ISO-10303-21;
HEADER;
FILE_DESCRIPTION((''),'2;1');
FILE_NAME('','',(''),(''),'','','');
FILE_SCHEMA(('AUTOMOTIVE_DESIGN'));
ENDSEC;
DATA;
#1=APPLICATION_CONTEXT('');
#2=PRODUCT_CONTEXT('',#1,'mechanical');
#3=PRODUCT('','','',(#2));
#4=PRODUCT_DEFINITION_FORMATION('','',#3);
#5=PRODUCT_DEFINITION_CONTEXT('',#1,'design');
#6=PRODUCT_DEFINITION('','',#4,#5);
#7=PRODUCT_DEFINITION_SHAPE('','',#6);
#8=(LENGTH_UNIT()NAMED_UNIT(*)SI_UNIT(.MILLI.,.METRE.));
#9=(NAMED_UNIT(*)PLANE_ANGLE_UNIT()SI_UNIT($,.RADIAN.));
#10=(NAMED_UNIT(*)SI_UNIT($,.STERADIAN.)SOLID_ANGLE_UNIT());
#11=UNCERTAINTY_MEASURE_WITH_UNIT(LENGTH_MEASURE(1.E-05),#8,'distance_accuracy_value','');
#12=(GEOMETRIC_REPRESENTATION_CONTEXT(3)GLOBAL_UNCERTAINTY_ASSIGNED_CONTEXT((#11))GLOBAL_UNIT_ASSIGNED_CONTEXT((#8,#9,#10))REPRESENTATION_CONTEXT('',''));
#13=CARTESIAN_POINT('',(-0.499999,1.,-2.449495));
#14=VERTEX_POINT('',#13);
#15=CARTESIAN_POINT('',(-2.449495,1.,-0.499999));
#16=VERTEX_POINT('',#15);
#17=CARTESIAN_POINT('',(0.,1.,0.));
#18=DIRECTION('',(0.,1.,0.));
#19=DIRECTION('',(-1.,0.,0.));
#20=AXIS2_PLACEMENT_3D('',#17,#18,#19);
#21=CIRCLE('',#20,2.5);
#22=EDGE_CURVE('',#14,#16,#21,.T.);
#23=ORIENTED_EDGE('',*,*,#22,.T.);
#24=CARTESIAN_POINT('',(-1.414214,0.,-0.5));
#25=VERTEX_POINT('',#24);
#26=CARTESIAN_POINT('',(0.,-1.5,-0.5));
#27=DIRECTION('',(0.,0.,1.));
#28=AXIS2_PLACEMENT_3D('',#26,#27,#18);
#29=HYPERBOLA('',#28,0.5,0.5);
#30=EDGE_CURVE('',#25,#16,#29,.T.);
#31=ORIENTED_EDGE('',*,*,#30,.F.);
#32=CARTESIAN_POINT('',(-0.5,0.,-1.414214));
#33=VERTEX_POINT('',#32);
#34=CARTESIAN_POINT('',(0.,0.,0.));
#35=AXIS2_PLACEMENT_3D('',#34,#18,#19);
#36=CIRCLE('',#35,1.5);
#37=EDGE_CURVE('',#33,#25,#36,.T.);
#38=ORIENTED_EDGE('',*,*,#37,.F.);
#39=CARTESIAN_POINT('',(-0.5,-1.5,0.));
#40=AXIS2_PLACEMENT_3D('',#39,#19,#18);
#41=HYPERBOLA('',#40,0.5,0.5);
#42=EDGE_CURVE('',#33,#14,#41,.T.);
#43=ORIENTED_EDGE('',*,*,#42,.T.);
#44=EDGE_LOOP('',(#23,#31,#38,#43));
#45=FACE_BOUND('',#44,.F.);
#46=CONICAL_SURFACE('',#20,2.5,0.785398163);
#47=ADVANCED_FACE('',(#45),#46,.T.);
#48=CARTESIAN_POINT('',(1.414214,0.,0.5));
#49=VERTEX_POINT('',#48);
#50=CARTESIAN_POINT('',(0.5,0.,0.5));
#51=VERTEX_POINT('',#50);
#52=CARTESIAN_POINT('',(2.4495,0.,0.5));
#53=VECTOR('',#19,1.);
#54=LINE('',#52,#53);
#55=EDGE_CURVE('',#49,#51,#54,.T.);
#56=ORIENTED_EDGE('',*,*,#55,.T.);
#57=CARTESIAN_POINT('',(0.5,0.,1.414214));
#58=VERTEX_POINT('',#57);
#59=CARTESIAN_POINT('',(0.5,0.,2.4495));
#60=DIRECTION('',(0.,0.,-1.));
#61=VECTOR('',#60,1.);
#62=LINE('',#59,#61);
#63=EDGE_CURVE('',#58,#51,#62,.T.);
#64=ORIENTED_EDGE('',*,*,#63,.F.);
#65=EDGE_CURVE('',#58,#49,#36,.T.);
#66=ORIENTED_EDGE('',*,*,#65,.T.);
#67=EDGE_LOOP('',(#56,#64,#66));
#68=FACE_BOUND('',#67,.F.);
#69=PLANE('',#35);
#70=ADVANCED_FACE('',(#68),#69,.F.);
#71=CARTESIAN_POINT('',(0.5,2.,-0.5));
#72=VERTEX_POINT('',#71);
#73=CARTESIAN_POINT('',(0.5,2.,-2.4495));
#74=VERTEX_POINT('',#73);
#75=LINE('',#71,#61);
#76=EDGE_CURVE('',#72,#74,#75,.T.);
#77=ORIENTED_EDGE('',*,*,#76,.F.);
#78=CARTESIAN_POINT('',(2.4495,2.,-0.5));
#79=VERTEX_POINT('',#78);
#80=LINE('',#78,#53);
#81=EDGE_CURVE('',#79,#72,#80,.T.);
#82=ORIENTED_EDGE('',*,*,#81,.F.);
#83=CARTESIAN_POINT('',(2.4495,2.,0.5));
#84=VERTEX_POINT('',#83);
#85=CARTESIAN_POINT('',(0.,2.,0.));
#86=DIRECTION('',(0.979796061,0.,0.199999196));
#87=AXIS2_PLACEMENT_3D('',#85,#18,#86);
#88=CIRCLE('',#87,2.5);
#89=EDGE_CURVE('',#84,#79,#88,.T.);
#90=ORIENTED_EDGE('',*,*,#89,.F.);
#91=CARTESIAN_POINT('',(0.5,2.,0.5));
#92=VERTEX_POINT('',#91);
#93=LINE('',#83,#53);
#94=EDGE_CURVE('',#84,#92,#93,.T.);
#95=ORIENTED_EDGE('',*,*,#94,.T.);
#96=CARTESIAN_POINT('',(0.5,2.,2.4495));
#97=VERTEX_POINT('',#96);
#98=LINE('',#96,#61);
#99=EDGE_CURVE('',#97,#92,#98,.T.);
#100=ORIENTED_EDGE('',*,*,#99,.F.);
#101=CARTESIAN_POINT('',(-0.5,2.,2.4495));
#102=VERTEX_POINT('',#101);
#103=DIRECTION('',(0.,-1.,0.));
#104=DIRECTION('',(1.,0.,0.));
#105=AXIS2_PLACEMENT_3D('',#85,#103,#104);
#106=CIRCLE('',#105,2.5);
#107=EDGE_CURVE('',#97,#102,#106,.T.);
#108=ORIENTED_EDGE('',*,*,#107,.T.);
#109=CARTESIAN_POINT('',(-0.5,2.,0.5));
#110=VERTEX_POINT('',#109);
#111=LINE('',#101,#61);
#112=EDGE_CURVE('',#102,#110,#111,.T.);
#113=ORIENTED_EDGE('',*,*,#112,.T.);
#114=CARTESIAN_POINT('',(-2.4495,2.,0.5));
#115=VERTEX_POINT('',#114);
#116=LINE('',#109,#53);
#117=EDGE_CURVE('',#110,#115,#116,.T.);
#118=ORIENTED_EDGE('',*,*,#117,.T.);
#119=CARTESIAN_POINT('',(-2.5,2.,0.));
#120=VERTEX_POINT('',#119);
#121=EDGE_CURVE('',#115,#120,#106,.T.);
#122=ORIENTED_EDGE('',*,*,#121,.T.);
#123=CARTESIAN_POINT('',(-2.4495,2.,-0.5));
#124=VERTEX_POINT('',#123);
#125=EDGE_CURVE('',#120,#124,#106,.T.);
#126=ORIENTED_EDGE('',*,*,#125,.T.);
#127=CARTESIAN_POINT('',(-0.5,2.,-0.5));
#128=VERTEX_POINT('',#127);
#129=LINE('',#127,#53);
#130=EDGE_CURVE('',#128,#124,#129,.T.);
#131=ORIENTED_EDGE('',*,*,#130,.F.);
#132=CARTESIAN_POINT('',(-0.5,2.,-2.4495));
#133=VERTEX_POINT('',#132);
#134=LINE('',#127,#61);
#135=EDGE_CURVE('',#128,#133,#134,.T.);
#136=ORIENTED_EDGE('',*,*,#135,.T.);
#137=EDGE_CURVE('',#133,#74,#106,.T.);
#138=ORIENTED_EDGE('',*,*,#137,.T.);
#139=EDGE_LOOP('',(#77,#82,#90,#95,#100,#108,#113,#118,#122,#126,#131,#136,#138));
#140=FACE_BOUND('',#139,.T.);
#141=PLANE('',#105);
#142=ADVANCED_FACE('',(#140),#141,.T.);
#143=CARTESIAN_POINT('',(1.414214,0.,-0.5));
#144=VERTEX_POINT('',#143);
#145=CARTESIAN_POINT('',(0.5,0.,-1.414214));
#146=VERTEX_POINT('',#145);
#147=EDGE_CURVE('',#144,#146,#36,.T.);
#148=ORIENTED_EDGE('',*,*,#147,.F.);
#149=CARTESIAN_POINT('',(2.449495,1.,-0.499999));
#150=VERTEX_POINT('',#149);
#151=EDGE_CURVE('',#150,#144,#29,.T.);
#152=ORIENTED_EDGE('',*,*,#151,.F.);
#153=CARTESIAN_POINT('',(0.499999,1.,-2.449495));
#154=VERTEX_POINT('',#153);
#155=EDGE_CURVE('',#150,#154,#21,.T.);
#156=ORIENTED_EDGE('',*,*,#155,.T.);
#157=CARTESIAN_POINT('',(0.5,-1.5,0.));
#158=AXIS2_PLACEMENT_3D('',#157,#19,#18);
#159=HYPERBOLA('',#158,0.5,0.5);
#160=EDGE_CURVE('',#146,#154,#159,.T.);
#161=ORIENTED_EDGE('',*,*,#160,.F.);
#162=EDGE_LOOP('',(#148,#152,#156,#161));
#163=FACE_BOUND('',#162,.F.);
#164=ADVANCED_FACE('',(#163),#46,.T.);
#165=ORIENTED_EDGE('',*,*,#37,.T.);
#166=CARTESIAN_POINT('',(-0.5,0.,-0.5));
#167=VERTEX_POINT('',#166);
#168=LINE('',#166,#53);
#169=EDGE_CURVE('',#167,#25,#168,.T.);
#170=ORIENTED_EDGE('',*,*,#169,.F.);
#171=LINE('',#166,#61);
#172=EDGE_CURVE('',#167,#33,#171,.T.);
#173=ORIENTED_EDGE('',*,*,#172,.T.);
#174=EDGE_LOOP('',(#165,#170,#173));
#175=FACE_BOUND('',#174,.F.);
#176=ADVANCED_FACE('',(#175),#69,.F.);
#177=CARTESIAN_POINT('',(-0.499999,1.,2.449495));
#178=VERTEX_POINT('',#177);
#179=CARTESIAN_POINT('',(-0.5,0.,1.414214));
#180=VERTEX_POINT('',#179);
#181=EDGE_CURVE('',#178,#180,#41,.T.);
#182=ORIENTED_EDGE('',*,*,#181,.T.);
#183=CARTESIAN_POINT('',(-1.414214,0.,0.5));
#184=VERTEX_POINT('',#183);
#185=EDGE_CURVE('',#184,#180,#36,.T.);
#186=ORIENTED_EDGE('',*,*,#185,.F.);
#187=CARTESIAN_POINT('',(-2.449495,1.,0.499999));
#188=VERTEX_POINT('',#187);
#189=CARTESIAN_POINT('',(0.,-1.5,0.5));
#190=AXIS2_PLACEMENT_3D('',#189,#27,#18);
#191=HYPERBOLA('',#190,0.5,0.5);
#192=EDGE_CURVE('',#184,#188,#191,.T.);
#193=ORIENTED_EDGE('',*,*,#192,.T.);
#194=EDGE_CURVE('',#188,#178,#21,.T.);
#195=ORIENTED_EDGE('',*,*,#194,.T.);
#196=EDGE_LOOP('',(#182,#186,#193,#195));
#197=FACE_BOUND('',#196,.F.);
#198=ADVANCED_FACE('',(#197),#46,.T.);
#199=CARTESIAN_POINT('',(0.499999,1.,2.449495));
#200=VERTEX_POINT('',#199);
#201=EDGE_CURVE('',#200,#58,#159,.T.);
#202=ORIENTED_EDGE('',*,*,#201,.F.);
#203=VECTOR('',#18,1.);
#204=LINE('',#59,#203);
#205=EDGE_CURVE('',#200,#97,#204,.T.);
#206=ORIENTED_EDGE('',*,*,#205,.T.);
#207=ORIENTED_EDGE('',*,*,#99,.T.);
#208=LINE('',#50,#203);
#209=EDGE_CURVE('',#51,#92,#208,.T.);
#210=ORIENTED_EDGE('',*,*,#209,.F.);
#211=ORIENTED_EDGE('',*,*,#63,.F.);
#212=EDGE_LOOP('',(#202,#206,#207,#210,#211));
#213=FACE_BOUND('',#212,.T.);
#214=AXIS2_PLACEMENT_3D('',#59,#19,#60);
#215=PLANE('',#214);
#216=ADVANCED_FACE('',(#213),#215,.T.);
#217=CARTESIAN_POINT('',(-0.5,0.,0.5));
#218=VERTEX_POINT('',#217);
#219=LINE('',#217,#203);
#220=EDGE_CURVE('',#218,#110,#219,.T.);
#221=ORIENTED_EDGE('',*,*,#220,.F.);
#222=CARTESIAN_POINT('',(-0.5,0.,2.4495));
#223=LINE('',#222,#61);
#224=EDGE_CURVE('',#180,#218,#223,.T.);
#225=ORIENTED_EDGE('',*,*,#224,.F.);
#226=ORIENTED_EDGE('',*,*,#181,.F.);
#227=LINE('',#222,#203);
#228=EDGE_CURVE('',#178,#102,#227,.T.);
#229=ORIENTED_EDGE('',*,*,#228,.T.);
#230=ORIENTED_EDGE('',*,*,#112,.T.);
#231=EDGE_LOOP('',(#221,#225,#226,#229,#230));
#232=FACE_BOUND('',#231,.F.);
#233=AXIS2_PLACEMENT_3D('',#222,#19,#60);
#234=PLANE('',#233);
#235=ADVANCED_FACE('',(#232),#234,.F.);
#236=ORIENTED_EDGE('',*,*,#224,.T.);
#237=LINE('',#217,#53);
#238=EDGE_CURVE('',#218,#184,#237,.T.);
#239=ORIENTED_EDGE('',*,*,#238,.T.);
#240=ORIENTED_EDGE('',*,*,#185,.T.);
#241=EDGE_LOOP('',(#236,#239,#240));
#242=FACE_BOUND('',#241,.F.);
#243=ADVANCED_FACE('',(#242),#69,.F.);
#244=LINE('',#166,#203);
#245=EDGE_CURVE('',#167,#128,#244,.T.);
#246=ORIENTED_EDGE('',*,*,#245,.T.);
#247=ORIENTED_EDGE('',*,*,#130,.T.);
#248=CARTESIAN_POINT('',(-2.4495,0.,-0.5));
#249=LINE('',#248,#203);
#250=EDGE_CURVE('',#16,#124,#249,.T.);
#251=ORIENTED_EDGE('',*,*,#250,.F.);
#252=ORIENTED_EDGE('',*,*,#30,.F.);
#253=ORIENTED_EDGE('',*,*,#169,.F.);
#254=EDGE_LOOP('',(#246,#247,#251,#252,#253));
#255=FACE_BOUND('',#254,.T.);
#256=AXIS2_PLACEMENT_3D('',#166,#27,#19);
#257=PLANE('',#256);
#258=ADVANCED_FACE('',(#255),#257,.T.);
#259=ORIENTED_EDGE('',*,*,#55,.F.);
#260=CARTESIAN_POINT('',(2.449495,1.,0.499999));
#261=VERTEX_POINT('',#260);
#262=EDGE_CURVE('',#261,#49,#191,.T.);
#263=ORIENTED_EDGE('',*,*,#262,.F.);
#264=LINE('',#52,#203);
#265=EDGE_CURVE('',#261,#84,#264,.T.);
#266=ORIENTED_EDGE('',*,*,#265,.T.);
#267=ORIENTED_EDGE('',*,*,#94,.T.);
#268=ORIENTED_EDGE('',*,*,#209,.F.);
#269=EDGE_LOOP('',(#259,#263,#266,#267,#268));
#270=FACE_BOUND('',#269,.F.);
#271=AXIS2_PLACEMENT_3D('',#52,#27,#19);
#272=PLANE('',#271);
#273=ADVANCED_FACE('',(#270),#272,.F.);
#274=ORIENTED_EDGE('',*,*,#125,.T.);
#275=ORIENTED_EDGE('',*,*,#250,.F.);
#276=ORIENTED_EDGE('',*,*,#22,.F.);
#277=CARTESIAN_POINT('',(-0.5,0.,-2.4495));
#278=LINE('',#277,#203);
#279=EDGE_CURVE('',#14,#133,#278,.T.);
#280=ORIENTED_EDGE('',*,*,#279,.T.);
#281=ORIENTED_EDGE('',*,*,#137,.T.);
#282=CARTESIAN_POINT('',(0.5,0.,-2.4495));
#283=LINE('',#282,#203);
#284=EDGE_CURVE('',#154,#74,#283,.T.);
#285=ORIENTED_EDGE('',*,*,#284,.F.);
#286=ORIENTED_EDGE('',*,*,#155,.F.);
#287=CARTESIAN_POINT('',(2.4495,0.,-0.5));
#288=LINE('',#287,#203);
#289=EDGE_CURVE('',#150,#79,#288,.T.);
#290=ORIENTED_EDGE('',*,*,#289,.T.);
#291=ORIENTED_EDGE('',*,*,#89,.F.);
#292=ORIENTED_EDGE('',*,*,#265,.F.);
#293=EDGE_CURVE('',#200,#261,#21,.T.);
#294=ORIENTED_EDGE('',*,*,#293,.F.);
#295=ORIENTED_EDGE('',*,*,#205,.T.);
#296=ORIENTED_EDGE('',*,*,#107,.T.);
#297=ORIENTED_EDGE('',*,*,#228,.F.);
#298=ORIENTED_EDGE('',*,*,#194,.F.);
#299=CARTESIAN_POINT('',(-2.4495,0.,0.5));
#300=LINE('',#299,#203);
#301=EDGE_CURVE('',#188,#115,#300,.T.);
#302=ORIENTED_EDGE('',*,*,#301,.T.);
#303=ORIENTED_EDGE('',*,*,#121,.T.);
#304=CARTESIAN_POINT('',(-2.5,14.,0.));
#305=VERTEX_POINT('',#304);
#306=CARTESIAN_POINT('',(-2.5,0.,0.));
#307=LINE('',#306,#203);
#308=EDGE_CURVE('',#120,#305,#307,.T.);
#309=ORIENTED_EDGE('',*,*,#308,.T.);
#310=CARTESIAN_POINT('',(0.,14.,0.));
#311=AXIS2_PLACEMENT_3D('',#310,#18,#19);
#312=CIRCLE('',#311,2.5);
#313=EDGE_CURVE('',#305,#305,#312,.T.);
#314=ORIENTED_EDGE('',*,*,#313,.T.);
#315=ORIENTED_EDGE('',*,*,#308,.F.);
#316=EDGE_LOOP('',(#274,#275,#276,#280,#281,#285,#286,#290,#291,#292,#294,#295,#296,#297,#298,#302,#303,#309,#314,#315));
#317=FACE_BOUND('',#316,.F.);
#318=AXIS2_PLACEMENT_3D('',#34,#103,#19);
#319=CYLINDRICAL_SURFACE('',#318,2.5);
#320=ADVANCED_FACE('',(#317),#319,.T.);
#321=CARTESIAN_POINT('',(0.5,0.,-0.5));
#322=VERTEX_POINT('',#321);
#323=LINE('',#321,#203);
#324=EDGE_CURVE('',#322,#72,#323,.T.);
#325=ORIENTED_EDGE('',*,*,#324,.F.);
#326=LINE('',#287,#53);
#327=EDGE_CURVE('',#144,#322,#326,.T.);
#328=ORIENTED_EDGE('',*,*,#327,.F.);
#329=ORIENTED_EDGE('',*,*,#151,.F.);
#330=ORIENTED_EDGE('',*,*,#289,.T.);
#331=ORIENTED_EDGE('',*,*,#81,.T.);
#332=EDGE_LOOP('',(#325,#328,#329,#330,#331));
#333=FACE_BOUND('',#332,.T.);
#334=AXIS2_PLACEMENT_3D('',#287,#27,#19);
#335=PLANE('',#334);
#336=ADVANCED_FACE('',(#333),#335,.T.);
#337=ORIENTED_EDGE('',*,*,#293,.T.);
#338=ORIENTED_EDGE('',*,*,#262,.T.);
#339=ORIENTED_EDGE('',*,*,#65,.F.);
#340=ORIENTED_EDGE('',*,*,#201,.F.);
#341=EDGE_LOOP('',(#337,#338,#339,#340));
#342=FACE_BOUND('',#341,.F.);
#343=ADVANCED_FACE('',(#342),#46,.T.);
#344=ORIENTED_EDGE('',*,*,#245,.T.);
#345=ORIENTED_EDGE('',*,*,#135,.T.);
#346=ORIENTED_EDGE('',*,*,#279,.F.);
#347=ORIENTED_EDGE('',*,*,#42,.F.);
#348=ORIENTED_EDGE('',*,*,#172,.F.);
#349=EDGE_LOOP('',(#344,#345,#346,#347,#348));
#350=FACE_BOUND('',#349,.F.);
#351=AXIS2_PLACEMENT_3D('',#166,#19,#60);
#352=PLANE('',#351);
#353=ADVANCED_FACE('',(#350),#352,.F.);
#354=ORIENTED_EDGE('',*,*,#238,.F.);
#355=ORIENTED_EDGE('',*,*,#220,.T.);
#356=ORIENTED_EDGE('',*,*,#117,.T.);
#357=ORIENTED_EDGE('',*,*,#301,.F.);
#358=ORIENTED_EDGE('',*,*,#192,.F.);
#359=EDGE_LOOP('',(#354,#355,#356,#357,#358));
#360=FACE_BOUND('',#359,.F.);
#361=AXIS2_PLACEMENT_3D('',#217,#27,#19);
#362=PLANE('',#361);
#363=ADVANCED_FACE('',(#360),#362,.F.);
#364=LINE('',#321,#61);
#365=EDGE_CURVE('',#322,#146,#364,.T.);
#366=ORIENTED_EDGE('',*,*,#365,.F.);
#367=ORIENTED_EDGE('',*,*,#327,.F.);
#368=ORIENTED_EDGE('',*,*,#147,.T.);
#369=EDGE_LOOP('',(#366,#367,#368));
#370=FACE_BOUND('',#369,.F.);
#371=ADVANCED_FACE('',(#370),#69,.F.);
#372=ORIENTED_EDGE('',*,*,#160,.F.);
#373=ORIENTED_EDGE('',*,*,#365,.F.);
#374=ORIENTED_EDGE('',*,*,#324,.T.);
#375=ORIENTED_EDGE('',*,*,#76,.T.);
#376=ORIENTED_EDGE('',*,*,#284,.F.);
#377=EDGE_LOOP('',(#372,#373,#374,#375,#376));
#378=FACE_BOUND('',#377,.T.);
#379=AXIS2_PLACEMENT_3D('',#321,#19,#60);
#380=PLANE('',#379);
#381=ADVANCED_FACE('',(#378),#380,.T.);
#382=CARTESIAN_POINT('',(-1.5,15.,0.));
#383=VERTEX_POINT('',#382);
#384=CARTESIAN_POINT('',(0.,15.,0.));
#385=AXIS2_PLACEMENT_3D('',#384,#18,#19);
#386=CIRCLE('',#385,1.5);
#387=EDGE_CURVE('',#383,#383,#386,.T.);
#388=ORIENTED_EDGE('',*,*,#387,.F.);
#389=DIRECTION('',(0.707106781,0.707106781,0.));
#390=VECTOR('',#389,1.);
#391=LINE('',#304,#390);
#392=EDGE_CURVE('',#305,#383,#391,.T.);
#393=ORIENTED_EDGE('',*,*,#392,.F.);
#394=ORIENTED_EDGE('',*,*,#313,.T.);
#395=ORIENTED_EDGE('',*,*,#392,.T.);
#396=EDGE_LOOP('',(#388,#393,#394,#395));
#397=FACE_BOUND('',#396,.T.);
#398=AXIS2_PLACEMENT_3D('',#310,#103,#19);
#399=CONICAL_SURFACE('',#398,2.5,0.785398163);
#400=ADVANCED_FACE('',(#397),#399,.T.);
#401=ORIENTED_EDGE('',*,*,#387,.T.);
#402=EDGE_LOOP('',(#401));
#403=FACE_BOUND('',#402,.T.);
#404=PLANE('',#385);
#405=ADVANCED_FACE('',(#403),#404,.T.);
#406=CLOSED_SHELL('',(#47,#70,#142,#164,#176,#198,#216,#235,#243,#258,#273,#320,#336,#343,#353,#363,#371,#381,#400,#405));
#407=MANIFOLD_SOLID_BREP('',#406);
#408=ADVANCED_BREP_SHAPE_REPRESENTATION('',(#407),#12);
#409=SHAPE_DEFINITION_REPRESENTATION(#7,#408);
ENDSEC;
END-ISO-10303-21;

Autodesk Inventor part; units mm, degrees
ref_plane "YZ Plane" through (0, 0, 0) normal (1, 0, 0) x (0, 1, 0)
ref_plane "XZ Plane" through (0, 0, 0) normal (0, 1, 0) x (-1, 0, 0)
ref_plane "XY Plane" through (0, 0, 0) normal (0, 0, 1) x (1, 0, 0)
sketch "Szkic1" plane through (0, 0, 0) normal (0, 1, 0) x (-1, 0, 0)
  circle A0 centre (0, 0) radius 4.25
  line L0 (1.1547, 2) -> (2.3094, 0)
  line L1 (2.3094, 0) -> (1.1547, -2)
  line L2 (1.1547, -2) -> (-1.1547, -2)
  line L3 (-1.1547, -2) -> (-2.3094, 0)
  line L4 (-2.3094, 0) -> (-1.1547, 2)
  line L5 (-1.1547, 2) -> (1.1547, 2)
  circle A1 centre (0, 0) radius 2.5
  dimension "d0" = 8.5
  dimension "d1" = 4
  dimension "d2" = 5
extrude "Wyciągnięcie proste4" add sketch "Szkic1" along normal blind 15 contours L0 L1 L2 L3 L4 L5 | A1
thread "Gwint2" size "M5x0.8" class "6g" standard "ANSI Metric M Profile" full length
chamfer "Faza1" distance 1 angle 45 1 edges at (2.5, 15, 0)
chamfer "Faza2" distance 1 angle 45 1 edges at (2.5, 0, 0)
sketch "Szkic3" plane through (0, 0, 0) normal (0, -1, 0) x (1, 0, 0)
  circle A0 centre (0, 0) radius 2.5 projected
  line L0 (2.5, 0) -> (-2.5, 0) construction
  line L1 (0, 2.5) -> (0, 0.5) construction
  line L2 (0.5, 2.5) -> (0.5, 2.4495) construction
  line L3 (-0.5, 2.5) -> (-0.5, 2.4495) construction
  line L4 (2.5, 0.5) -> (2.4495, 0.5) construction
  line L5 (2.5, -0.5) -> (2.4495, -0.5) construction
  circle A1 centre (0, 0) radius 2.5 construction
  line L6 (2.4495, 0.5) -> (0.5, 0.5)
  line L7 (2.4495, -0.5) -> (0.5, -0.5)
  line L8 (0.5, 2.4495) -> (0.5, 0.5)
  line L9 (-0.5, 2.4495) -> (-0.5, 0.5)
  line L10 (-0.5, 0.5) -> (-0.5, -0.5) construction
  line L11 (0.5, 0.5) -> (0.5, -0.5) construction
  line L12 (0.5, -0.5) -> (-0.5, -0.5) construction
  line L13 (-0.5, -0.5) -> (-0.5, -2.4495)
  line L14 (-2.4495, -0.5) -> (-2.5, -0.5) construction
  line L15 (-2.4495, 0.5) -> (-2.5, 0.5) construction
  line L16 (-0.5, -2.4495) -> (-0.5, -2.5) construction
  line L17 (0.5, -2.4495) -> (0.5, -2.5) construction
  line L18 (0.5, -0.5) -> (0.5, -2.4495)
  line L19 (0.5, 0.5) -> (-0.5, 0.5) construction
  line L20 (0, 0.5) -> (0, -2.5) construction
  line L21 (-0.5, -0.5) -> (-2.4495, -0.5)
  line L22 (-0.5, 0.5) -> (-2.4495, 0.5)
  dimension "d22" = 0.5
  dimension "d23" = 0.5
  dimension "d24" = 0.5
  dimension "d25" = 0.5
extrude "Wyciągnięcie proste5" cut sketch "Szkic3" against normal blind 2 contours A0 L7 L18 L13 L21 L22 L9 L8 L6
properties part number "M5x15" material "Aluminum 6061"
